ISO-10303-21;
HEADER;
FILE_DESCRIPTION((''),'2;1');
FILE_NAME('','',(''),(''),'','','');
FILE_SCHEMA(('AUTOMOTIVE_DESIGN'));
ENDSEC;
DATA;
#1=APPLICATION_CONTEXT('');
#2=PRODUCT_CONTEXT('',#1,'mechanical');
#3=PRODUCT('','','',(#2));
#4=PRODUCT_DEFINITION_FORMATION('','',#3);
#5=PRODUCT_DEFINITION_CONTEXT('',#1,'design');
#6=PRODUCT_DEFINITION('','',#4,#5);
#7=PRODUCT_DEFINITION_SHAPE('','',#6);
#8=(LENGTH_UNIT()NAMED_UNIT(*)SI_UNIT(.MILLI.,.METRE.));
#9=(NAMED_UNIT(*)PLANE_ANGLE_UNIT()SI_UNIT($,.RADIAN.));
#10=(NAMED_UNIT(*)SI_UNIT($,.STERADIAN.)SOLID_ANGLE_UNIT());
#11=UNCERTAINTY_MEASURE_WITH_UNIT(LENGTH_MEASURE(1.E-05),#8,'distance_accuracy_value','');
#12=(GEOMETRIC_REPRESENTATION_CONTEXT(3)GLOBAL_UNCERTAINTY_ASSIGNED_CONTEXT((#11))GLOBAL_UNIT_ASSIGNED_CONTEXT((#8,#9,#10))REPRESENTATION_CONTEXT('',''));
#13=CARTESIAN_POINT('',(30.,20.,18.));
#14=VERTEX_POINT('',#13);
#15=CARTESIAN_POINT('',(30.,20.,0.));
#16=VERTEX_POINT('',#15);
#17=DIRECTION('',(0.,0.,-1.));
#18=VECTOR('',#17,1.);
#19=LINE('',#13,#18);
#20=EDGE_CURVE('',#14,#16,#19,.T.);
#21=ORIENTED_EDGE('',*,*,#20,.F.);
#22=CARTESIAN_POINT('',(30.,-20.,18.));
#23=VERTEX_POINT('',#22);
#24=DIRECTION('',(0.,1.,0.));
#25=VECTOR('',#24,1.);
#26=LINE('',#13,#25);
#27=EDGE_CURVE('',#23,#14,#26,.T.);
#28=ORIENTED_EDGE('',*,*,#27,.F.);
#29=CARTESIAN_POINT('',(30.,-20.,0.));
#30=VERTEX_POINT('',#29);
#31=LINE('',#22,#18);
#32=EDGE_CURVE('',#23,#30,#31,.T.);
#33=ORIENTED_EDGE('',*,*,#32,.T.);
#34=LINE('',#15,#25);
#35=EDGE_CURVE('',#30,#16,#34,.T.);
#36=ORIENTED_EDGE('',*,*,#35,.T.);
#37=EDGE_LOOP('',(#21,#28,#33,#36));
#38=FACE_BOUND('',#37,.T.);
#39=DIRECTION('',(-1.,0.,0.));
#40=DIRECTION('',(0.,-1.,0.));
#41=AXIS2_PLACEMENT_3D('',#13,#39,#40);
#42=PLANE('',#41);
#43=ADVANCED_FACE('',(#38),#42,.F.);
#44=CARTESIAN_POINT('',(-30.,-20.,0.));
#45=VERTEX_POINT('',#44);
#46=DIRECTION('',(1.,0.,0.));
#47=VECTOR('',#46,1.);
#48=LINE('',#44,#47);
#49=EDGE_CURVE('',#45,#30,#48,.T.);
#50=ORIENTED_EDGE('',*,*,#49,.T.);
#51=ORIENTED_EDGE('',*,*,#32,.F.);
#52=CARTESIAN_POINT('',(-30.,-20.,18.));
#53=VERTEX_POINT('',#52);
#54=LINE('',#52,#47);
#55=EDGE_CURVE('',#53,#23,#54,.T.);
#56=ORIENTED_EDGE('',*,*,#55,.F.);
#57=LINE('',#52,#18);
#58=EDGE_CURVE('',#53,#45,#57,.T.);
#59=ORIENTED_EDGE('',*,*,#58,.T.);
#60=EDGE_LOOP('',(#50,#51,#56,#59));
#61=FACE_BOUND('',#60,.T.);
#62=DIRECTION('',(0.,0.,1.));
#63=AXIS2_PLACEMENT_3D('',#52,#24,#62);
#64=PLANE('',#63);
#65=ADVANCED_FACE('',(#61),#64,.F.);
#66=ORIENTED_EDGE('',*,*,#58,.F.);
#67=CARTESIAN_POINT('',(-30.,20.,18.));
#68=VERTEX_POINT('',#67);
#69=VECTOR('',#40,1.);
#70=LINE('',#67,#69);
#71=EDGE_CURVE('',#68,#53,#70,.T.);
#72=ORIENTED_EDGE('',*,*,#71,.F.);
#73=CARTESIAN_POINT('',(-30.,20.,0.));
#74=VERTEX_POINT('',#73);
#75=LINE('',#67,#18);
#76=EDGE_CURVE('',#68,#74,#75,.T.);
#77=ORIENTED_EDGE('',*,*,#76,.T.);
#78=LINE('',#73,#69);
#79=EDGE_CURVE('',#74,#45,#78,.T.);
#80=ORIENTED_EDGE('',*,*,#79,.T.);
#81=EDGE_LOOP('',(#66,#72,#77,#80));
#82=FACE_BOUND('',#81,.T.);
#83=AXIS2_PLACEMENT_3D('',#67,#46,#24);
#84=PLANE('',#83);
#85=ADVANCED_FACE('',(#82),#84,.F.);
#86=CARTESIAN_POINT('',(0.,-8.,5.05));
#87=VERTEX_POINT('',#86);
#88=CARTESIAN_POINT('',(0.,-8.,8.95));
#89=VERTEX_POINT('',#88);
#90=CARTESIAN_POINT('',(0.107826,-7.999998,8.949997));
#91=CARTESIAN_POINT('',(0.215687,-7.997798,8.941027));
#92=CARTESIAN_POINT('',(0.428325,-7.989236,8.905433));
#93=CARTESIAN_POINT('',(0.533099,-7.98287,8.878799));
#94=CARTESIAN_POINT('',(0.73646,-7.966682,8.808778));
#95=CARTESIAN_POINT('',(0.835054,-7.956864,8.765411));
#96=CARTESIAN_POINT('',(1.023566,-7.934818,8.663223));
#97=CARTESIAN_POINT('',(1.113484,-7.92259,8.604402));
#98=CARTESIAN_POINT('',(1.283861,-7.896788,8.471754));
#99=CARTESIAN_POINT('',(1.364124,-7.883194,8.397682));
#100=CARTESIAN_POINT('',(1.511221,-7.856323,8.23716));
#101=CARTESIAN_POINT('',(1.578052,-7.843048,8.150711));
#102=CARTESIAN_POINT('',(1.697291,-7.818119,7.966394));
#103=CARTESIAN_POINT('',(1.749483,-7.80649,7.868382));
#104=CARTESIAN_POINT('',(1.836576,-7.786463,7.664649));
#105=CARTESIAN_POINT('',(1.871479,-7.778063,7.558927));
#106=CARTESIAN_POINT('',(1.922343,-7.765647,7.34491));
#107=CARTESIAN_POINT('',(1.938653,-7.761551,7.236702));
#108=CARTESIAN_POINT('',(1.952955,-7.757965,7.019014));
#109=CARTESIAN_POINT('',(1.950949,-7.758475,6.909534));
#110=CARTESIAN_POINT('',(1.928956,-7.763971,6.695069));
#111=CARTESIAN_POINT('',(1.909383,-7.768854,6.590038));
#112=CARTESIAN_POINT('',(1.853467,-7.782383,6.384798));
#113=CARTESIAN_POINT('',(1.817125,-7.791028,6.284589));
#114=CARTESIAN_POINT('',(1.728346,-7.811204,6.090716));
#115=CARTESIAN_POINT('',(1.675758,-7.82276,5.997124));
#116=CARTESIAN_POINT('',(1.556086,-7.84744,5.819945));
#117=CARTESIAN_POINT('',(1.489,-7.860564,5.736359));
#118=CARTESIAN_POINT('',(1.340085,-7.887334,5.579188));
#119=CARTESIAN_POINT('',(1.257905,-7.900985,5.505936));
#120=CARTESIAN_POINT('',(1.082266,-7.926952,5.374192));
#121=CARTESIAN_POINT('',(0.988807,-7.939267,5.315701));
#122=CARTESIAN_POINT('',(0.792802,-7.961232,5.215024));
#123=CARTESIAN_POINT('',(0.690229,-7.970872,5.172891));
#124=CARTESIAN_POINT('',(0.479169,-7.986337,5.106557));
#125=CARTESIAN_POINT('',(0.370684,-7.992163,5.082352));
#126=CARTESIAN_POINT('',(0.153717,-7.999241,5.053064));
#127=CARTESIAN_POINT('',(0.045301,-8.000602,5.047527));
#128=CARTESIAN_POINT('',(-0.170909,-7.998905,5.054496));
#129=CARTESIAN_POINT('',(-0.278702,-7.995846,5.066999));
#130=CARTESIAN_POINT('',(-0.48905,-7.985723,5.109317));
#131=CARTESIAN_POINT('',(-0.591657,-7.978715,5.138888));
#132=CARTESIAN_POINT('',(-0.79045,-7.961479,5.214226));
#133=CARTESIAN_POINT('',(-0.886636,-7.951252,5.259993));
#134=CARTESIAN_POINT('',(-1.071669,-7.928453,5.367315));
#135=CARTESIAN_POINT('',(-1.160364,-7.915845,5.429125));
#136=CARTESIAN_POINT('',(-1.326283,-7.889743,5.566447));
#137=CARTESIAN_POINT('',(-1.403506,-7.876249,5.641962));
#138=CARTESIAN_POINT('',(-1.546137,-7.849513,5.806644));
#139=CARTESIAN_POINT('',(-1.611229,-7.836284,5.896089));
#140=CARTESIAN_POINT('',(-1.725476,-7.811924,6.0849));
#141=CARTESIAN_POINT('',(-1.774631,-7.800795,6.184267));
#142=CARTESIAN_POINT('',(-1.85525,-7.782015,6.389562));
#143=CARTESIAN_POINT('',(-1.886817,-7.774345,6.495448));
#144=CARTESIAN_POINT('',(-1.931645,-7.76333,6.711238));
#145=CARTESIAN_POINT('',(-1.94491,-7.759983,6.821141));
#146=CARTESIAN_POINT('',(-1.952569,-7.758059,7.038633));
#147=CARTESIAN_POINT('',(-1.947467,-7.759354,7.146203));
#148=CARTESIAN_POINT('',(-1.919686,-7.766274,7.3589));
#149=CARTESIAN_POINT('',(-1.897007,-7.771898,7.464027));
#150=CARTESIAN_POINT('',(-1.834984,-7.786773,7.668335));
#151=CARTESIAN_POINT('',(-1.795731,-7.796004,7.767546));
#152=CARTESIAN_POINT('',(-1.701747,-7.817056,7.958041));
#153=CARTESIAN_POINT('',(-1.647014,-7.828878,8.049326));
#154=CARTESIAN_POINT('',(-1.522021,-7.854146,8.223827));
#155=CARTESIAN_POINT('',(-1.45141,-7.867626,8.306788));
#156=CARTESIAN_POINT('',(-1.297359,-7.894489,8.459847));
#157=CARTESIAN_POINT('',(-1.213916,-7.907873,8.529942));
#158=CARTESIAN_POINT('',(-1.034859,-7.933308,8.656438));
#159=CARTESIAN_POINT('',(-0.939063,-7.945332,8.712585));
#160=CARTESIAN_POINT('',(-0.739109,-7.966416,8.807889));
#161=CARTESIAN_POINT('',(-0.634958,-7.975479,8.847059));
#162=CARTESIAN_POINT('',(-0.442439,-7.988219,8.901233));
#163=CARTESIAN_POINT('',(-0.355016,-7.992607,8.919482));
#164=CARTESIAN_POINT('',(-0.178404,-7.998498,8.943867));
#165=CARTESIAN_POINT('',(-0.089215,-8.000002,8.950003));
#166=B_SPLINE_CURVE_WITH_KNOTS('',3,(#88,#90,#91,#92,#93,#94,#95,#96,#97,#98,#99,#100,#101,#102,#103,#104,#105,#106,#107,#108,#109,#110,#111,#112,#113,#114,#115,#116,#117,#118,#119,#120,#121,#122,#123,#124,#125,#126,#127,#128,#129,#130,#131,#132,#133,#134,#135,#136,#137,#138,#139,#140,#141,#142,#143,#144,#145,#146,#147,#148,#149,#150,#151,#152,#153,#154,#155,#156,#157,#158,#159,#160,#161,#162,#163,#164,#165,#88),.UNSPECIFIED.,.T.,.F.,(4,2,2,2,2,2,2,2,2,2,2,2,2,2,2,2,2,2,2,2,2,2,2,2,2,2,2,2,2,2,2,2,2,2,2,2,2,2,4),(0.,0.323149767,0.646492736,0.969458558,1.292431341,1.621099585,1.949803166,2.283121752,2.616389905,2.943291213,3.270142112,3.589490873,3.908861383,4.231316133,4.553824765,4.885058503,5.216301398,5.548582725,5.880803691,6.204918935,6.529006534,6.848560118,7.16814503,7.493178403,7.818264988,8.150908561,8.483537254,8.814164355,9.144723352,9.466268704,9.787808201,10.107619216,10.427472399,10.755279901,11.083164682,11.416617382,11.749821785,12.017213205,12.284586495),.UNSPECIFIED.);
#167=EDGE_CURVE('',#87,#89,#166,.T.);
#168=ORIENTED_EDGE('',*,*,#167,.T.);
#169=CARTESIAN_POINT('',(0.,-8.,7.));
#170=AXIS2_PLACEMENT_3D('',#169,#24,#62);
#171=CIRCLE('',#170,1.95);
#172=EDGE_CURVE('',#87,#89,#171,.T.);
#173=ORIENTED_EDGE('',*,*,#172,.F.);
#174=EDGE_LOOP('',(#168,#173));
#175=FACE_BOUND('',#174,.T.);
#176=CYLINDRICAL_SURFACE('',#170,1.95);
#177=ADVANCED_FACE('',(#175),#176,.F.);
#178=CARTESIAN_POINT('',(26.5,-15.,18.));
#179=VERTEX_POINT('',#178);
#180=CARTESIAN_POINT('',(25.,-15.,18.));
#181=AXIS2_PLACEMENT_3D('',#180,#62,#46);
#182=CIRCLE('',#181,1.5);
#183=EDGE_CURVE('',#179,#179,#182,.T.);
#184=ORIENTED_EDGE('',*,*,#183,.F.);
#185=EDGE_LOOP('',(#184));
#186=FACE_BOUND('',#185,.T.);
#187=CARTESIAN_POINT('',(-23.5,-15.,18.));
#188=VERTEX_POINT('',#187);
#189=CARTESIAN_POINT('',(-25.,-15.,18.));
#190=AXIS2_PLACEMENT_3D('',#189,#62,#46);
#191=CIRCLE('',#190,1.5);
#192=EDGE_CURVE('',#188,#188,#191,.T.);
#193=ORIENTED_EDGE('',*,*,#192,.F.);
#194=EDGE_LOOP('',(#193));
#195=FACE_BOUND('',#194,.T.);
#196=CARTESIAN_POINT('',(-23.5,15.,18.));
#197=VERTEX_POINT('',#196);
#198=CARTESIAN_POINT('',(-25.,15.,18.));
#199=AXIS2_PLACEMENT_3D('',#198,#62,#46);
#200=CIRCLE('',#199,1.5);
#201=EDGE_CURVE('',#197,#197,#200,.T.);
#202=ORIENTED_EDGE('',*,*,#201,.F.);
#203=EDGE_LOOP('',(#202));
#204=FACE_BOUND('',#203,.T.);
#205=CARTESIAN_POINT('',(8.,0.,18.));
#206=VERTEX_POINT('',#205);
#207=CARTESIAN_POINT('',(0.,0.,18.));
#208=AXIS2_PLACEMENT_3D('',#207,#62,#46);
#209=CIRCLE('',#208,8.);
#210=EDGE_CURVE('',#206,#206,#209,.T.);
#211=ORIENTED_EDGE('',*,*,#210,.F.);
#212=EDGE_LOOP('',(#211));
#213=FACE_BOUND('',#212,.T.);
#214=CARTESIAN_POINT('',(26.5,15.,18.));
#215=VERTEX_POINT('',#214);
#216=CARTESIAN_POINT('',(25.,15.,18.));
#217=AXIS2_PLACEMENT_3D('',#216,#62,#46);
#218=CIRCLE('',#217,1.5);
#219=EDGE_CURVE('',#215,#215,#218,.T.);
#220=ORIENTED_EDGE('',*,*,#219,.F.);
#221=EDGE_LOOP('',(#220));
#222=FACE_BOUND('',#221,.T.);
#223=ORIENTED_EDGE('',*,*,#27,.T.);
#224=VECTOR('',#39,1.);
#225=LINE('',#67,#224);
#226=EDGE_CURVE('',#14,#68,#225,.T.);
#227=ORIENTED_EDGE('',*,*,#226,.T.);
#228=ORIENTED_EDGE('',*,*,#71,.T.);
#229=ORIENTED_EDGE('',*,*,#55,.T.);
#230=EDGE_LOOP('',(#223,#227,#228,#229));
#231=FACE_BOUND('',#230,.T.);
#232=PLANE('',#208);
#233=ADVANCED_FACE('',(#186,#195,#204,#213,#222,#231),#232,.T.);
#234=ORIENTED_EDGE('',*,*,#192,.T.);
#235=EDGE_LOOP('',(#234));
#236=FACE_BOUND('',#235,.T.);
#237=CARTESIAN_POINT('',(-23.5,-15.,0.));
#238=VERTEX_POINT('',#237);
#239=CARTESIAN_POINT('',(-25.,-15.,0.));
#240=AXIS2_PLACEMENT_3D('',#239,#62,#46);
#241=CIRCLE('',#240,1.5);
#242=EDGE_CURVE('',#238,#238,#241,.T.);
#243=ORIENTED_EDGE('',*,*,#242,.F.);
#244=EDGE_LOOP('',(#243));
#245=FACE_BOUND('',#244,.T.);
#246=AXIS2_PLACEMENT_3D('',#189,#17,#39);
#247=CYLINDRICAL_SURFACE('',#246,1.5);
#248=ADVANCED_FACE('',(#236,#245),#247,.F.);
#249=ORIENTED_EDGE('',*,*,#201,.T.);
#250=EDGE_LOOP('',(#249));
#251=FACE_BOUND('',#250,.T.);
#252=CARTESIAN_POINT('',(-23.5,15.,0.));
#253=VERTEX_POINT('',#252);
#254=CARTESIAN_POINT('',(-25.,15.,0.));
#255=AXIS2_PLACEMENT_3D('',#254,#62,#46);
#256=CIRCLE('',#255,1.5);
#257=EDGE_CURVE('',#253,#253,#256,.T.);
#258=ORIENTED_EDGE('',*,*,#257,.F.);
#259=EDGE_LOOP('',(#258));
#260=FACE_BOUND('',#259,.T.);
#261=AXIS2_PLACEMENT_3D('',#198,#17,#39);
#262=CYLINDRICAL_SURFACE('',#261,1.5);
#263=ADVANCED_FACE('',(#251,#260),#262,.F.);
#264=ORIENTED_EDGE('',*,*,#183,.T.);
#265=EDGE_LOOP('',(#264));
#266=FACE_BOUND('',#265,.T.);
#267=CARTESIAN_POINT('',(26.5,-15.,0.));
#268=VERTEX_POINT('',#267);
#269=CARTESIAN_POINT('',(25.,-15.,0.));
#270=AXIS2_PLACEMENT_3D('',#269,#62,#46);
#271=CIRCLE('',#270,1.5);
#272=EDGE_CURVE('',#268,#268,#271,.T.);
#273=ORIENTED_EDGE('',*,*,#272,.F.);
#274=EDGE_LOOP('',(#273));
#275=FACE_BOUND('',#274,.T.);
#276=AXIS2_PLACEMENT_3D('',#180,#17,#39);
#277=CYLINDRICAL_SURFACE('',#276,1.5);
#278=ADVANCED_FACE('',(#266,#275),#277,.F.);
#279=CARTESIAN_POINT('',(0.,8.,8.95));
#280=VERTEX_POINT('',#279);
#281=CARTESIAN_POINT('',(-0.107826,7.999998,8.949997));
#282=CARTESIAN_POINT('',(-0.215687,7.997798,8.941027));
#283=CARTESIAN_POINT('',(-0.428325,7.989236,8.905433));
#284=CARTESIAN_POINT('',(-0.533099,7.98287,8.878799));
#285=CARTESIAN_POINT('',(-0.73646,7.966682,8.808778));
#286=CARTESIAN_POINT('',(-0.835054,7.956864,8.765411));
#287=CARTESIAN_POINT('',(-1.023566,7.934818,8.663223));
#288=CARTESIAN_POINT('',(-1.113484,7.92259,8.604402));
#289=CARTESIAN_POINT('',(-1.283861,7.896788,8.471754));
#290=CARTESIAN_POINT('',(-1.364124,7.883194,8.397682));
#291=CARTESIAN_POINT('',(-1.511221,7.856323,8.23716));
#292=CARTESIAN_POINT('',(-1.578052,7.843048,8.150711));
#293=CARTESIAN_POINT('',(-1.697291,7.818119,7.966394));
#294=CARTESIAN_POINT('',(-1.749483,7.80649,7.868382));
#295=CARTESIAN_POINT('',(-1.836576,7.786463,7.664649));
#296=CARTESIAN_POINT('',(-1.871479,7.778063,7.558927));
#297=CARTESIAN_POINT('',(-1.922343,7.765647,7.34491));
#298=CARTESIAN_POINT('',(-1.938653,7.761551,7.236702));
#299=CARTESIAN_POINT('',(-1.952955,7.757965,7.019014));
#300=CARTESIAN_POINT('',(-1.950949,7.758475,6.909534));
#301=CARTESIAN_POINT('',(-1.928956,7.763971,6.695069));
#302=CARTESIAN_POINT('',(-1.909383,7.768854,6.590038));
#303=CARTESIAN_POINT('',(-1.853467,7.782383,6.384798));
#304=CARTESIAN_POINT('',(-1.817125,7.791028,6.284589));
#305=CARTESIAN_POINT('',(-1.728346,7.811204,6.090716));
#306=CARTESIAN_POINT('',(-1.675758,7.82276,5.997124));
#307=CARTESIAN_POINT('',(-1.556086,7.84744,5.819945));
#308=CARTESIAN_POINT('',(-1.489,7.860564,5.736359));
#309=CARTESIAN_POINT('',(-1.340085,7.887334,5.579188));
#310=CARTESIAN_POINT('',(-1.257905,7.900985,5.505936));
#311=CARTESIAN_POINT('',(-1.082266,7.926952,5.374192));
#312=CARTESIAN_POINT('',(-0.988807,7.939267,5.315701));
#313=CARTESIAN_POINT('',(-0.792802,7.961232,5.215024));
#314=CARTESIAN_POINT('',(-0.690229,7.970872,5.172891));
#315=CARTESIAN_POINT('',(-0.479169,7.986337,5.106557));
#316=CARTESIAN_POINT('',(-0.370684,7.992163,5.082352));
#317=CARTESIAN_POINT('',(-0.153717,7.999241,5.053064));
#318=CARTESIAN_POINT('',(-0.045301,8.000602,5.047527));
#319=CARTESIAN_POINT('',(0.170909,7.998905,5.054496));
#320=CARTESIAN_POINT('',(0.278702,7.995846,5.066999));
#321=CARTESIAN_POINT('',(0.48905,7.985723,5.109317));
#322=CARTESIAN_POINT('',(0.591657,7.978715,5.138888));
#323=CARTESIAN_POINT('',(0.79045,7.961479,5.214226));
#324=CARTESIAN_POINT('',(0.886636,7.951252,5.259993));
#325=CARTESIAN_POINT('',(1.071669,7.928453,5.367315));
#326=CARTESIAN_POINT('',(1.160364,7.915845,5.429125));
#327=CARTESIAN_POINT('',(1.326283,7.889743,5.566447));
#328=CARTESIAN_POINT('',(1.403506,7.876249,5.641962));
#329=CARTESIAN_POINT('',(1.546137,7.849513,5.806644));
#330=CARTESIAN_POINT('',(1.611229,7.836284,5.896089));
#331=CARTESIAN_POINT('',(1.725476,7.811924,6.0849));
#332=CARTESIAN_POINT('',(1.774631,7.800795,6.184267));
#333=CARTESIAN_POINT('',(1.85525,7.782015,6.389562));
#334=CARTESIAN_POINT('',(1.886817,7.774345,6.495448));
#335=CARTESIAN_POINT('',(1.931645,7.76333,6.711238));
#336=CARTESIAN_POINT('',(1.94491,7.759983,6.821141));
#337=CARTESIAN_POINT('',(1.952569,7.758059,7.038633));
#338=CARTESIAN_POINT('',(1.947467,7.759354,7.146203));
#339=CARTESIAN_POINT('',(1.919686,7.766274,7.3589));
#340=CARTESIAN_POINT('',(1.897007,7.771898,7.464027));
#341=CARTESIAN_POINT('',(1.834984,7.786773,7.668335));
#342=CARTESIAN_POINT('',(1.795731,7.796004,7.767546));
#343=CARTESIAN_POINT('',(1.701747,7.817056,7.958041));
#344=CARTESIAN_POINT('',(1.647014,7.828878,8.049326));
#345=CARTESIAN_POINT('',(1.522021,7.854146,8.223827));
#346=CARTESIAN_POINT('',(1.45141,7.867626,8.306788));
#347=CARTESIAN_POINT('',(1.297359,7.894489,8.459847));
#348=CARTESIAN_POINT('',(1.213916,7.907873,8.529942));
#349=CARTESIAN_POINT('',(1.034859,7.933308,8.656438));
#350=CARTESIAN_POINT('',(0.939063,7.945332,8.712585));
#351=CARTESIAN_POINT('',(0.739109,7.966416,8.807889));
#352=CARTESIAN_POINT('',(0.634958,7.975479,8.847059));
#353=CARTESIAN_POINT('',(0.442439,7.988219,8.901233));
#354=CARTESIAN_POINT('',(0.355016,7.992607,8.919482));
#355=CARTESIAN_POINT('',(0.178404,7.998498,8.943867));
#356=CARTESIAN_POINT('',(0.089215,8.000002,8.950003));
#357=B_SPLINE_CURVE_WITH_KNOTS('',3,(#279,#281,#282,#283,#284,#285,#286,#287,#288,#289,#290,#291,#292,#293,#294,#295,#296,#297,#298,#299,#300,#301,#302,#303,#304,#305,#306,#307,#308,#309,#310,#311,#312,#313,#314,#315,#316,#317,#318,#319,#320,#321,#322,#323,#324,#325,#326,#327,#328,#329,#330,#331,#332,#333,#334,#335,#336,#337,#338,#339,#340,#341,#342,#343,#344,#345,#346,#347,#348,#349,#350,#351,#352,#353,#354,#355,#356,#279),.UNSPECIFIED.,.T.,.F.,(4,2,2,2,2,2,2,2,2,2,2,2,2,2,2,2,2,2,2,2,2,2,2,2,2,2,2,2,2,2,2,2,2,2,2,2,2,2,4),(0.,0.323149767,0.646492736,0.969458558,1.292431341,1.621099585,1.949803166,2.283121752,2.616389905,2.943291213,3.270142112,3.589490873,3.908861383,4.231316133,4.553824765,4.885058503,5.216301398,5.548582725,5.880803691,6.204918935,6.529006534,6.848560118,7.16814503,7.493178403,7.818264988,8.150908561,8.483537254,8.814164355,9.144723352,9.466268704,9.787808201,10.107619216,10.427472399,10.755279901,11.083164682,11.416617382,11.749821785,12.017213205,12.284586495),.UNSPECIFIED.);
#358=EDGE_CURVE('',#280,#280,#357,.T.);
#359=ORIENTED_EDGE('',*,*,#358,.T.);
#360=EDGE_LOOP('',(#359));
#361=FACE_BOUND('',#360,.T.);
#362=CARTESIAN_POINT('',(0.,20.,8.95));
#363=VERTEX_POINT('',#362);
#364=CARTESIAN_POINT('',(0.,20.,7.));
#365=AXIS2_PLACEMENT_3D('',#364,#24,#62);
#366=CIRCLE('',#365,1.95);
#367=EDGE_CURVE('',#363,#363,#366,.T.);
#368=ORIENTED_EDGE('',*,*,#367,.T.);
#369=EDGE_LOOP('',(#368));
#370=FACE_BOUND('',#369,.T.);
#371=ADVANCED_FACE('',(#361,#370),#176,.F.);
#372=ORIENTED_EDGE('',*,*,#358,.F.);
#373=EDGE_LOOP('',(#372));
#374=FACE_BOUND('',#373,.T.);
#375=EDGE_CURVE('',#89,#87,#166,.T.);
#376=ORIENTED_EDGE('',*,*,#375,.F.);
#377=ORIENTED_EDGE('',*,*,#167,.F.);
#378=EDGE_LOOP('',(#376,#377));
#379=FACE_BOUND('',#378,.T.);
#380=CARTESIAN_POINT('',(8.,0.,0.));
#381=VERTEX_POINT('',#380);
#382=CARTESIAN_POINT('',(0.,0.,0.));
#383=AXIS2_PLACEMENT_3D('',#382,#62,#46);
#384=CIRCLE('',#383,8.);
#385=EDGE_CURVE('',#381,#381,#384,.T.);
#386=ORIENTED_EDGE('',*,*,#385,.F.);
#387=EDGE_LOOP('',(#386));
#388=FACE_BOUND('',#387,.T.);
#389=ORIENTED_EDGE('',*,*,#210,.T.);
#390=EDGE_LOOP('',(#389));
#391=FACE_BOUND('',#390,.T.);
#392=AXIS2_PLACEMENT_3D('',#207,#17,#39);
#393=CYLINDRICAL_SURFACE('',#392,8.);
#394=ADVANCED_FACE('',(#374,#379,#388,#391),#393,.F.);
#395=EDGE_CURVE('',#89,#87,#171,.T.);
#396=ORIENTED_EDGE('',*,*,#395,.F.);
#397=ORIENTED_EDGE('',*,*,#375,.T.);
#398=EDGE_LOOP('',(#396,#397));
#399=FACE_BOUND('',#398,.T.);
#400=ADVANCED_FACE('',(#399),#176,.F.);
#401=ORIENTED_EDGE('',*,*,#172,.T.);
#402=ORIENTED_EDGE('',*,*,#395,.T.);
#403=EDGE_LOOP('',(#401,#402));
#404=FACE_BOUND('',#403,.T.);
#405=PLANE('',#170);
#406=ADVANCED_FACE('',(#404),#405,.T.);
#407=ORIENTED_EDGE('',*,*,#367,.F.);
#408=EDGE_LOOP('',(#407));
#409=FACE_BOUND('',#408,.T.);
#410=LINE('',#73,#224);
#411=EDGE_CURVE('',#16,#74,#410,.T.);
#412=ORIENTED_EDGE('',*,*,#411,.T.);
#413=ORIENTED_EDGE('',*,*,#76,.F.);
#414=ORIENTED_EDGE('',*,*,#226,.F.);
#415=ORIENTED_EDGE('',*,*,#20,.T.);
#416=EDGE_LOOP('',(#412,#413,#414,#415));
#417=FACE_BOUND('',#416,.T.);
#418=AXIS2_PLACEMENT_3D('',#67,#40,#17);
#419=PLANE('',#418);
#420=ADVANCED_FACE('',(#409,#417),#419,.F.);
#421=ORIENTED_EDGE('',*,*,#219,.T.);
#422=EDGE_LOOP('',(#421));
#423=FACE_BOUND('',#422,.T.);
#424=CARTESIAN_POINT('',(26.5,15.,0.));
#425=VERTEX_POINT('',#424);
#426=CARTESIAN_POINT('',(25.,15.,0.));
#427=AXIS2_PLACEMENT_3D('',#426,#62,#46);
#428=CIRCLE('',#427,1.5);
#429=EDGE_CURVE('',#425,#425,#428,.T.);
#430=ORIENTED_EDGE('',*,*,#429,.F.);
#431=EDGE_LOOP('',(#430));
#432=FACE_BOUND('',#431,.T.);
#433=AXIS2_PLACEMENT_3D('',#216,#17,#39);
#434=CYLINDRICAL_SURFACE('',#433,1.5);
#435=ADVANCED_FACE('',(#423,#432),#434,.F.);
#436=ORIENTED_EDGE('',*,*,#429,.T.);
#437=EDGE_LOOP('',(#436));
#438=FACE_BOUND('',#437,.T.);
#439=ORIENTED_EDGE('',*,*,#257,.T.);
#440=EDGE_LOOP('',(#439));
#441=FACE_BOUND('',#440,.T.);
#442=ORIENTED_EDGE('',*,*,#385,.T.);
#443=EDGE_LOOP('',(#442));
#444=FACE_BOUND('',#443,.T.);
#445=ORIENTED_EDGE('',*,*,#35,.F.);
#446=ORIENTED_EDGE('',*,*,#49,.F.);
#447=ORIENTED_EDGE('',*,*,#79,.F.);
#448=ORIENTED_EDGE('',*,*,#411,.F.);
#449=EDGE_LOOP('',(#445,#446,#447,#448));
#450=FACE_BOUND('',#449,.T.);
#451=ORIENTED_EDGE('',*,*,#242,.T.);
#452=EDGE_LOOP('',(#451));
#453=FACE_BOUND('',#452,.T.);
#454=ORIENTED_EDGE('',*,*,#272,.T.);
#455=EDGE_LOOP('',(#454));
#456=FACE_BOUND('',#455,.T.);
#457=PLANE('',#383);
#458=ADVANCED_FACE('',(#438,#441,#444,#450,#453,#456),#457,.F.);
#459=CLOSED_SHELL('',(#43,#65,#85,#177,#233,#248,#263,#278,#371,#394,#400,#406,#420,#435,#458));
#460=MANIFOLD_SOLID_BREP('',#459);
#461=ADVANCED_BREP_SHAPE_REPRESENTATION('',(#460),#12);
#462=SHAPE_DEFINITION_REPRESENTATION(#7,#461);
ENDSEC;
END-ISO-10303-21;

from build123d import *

# Parameters (mm, degrees)
IZIM1_W                     = 60
IZIM1_H                     = 40
IZIM1_R                     = 1.5
IZIM1_R_2                   = 8
Y_KSEKLIK_EKSTR_ZYON1_DEPTH = 18
IZIM2_R                     = 1.95
KES_EKSTR_ZYON1_DEPTH       = 28


with BuildPart() as part:
    # Çizim1 → Yükseklik-Ekstrüzyon1 (new body)
    with BuildSketch(Plane.XY):
        Rectangle(IZIM1_W, IZIM1_H)
        with Locations((-25, 15)):
            Circle(IZIM1_R, mode=Mode.SUBTRACT)
        Circle(IZIM1_R_2, mode=Mode.SUBTRACT)
        with Locations((25, 15)):
            Circle(IZIM1_R, mode=Mode.SUBTRACT)
        with Locations((25, -15)):
            Circle(IZIM1_R, mode=Mode.SUBTRACT)
        with Locations((-25, -15)):
            Circle(IZIM1_R, mode=Mode.SUBTRACT)
    extrude(amount=Y_KSEKLIK_EKSTR_ZYON1_DEPTH)

    # Çizim2 → Kes-Ekstrüzyon1 (cut)
    with BuildSketch(Plane(origin=(0, 20, 0), x_dir=(1, 0, 0), z_dir=(0, 1, 0))):
        with Locations(Location((0, -7, 0), (0, 0, 270))):
            Circle(IZIM2_R)
    extrude(amount=-KES_EKSTR_ZYON1_DEPTH, mode=Mode.SUBTRACT)


solid = part.part
